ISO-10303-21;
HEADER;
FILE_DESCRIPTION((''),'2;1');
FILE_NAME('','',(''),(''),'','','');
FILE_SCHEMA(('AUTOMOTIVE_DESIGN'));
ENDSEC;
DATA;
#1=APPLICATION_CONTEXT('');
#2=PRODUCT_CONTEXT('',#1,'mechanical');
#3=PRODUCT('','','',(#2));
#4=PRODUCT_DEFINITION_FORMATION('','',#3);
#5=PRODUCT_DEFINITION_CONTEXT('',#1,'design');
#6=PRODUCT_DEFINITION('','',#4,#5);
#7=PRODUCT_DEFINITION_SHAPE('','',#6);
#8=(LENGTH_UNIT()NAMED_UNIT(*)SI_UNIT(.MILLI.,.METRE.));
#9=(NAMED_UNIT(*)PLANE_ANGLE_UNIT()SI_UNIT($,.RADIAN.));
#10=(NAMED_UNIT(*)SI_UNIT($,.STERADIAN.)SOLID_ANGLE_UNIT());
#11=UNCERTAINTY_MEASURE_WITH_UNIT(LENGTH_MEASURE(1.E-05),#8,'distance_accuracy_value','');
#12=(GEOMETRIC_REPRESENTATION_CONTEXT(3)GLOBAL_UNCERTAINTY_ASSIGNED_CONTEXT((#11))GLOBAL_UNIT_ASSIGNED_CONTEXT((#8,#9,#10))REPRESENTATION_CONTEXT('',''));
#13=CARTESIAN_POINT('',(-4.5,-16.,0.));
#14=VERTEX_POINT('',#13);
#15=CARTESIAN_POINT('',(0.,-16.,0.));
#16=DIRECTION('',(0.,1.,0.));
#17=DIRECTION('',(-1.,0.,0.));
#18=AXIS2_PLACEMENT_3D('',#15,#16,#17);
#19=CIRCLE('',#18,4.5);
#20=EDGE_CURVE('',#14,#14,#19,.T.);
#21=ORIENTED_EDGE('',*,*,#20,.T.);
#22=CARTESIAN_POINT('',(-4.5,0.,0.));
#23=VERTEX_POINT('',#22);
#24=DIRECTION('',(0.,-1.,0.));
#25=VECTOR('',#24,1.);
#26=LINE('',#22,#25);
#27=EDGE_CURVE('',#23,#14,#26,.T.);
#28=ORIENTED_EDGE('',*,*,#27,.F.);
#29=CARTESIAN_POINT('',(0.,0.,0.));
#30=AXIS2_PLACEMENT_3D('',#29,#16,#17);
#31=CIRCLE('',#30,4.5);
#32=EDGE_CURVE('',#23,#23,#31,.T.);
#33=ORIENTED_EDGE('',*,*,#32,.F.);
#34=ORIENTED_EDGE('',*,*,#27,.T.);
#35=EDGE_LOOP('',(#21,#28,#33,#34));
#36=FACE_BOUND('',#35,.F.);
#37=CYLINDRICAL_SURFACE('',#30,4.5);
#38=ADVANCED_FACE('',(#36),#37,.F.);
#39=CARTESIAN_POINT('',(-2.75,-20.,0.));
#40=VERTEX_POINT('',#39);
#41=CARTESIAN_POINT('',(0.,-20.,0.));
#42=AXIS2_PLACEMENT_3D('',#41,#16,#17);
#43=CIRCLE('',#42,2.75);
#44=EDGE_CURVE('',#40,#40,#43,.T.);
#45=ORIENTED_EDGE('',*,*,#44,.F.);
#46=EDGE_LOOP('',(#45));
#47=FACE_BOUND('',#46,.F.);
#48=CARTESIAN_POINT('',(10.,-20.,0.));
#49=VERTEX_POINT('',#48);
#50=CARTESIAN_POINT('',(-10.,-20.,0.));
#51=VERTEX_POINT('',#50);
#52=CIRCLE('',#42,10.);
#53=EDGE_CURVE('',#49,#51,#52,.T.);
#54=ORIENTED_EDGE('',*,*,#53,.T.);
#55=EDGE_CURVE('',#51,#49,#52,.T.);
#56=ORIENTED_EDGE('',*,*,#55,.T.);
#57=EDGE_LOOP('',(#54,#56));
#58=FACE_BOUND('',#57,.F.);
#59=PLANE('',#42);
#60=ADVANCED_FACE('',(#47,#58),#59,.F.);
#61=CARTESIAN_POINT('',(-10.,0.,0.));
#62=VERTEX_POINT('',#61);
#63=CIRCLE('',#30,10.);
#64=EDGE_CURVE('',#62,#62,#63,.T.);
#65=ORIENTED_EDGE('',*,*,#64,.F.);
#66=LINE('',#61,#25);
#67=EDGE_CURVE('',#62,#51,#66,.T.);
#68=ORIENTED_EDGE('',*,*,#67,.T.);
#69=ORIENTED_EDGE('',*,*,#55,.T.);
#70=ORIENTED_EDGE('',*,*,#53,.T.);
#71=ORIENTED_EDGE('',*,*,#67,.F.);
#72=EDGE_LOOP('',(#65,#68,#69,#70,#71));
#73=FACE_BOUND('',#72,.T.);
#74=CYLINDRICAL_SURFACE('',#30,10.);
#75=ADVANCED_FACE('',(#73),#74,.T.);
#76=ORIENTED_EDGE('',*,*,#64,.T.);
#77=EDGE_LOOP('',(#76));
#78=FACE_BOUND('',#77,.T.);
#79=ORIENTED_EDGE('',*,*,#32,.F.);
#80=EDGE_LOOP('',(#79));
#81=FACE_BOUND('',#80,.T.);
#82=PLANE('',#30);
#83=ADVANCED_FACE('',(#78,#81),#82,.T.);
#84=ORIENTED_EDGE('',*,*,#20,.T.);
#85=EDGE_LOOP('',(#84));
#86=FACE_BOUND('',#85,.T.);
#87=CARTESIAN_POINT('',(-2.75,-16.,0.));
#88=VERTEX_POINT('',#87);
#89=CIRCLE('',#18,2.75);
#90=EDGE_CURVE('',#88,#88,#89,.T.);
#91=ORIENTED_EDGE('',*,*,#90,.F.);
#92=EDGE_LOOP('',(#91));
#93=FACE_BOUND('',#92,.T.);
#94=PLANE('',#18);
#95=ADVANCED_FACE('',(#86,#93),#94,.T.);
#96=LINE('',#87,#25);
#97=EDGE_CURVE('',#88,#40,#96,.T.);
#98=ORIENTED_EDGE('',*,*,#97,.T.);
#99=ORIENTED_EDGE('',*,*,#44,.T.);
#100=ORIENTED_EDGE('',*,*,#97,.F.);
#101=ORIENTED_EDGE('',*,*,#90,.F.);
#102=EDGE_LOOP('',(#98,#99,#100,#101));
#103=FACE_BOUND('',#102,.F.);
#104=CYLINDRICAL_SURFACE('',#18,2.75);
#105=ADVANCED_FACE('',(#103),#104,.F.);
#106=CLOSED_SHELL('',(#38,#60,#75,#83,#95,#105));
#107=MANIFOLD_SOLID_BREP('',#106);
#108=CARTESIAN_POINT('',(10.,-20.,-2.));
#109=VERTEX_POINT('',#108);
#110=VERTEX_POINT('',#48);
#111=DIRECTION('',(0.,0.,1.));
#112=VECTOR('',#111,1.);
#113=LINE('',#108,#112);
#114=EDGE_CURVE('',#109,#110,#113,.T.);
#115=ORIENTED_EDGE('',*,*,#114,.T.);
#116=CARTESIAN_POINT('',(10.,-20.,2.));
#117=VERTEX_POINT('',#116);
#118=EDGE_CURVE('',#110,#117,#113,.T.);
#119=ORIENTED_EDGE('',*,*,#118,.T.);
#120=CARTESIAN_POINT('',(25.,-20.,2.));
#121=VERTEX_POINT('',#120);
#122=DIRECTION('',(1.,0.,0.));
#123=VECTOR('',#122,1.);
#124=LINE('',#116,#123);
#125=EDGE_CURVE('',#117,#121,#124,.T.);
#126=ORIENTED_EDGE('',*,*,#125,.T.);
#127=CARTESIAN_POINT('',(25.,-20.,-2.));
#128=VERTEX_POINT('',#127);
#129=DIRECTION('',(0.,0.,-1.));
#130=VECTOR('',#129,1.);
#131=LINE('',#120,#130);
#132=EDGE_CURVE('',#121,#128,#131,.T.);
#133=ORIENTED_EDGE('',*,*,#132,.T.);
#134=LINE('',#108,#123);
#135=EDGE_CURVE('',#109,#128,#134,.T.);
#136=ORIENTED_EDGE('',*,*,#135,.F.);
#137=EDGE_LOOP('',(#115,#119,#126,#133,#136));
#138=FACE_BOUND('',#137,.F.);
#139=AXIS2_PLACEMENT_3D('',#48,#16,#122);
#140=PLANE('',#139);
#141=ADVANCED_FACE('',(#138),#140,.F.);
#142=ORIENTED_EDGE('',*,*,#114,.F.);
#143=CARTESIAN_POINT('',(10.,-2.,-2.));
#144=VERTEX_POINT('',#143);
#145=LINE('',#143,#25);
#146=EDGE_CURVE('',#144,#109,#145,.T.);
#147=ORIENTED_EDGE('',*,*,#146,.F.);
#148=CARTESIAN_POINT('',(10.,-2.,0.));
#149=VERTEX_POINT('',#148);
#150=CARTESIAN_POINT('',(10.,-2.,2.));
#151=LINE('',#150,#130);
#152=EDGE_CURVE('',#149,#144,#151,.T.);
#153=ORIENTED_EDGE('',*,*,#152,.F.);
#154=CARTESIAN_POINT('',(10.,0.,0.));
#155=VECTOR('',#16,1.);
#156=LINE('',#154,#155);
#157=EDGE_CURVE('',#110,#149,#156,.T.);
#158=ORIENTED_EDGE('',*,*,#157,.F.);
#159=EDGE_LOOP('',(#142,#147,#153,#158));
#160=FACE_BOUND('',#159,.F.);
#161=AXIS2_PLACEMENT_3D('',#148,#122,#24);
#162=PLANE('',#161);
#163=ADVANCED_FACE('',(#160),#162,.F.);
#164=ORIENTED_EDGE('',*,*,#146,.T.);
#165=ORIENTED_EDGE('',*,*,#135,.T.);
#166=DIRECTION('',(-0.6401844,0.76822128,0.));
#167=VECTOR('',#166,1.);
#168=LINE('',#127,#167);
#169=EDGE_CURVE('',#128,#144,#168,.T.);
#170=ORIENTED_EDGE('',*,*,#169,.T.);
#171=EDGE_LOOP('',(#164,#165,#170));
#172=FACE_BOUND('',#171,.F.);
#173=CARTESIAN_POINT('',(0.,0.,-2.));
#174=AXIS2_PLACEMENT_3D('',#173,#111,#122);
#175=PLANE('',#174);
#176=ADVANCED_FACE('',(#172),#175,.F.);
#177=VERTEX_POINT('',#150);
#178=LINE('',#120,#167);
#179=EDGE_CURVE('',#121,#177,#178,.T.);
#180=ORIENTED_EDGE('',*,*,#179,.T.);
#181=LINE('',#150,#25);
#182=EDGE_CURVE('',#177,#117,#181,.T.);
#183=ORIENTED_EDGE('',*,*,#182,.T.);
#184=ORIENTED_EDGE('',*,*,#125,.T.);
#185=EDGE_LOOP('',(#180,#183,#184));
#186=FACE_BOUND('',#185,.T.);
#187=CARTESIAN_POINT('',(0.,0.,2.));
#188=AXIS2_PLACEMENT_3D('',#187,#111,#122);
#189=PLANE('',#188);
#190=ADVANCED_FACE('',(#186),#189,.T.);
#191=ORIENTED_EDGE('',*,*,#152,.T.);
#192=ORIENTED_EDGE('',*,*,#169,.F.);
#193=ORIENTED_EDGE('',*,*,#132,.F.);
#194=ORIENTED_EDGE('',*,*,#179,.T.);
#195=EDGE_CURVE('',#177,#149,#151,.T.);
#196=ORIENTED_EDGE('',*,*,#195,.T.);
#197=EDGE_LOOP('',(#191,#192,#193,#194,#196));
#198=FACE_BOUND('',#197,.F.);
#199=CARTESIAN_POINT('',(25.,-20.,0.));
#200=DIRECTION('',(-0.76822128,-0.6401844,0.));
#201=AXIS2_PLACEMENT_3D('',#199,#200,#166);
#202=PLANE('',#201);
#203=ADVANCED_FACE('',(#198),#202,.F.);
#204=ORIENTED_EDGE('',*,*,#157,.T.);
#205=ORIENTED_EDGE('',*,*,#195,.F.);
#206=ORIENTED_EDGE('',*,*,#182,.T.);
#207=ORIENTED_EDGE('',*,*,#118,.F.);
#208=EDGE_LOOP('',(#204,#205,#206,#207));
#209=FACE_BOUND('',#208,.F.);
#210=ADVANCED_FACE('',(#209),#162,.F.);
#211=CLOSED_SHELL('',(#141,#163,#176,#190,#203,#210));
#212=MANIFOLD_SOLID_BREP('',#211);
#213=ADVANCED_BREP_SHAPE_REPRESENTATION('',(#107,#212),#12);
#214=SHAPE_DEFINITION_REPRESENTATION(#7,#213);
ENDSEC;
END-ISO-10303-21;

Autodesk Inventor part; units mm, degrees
ref_plane "YZ Plane" through (0, 0, 0) normal (1, 0, 0) x (0, 1, 0)
ref_plane "XY Plane" through (0, 0, 0) normal (0, 0, 1) x (1, 0, 0)
sketch "Sketch1" plane through (0, 0, 0) normal (0, 1, 0) x (-1, 0, 0)
  circle A0 centre (0, 0) radius 4.5
  circle A1 centre (0, 0) radius 10
  dimension "d0" = 9
  dimension "d1" = 20
extrude "Extrusion1" add sketch "Sketch1" against normal blind 20 contours A0 | A1
extrude "Extrusion2" cut sketch "Sketch1" against normal blind 16 contours A0
sketch "Sketch2" plane through (0, 0, 0) normal (0, 0, 1) x (1, 0, 0)
  line L0 (-10, -20) -> (10, -20) construction
  line L1 (10, 0) -> (-10, 0) construction
  line L2 (10, -20) -> (25, -20)
  line L3 (25, -20) -> (10, -2)
  line L4 (10, -2) -> (10, -20)
  line L5 (10, 0) -> (10, -20) construction
  point P0 (0, 0)
  dimension "d6" = 15
  dimension "d7" = 18
extrude "Extrusion3" add sketch "Sketch2" along normal mid plane 4
ref_plane "Work Plane1" through (0, -16, 0) normal (0, 1, 0) x (-1, 0, 0)
sketch "Sketch3" plane through (0, -16, 0) normal (0, 1, 0) x (-1, 0, 0)
  circle A0 centre (0, 0) radius 2.75
  dimension "d11" = 5.5
extrude "Extrusion4" cut sketch "Sketch3" against normal through all
properties part number "cilindro_obj2"
